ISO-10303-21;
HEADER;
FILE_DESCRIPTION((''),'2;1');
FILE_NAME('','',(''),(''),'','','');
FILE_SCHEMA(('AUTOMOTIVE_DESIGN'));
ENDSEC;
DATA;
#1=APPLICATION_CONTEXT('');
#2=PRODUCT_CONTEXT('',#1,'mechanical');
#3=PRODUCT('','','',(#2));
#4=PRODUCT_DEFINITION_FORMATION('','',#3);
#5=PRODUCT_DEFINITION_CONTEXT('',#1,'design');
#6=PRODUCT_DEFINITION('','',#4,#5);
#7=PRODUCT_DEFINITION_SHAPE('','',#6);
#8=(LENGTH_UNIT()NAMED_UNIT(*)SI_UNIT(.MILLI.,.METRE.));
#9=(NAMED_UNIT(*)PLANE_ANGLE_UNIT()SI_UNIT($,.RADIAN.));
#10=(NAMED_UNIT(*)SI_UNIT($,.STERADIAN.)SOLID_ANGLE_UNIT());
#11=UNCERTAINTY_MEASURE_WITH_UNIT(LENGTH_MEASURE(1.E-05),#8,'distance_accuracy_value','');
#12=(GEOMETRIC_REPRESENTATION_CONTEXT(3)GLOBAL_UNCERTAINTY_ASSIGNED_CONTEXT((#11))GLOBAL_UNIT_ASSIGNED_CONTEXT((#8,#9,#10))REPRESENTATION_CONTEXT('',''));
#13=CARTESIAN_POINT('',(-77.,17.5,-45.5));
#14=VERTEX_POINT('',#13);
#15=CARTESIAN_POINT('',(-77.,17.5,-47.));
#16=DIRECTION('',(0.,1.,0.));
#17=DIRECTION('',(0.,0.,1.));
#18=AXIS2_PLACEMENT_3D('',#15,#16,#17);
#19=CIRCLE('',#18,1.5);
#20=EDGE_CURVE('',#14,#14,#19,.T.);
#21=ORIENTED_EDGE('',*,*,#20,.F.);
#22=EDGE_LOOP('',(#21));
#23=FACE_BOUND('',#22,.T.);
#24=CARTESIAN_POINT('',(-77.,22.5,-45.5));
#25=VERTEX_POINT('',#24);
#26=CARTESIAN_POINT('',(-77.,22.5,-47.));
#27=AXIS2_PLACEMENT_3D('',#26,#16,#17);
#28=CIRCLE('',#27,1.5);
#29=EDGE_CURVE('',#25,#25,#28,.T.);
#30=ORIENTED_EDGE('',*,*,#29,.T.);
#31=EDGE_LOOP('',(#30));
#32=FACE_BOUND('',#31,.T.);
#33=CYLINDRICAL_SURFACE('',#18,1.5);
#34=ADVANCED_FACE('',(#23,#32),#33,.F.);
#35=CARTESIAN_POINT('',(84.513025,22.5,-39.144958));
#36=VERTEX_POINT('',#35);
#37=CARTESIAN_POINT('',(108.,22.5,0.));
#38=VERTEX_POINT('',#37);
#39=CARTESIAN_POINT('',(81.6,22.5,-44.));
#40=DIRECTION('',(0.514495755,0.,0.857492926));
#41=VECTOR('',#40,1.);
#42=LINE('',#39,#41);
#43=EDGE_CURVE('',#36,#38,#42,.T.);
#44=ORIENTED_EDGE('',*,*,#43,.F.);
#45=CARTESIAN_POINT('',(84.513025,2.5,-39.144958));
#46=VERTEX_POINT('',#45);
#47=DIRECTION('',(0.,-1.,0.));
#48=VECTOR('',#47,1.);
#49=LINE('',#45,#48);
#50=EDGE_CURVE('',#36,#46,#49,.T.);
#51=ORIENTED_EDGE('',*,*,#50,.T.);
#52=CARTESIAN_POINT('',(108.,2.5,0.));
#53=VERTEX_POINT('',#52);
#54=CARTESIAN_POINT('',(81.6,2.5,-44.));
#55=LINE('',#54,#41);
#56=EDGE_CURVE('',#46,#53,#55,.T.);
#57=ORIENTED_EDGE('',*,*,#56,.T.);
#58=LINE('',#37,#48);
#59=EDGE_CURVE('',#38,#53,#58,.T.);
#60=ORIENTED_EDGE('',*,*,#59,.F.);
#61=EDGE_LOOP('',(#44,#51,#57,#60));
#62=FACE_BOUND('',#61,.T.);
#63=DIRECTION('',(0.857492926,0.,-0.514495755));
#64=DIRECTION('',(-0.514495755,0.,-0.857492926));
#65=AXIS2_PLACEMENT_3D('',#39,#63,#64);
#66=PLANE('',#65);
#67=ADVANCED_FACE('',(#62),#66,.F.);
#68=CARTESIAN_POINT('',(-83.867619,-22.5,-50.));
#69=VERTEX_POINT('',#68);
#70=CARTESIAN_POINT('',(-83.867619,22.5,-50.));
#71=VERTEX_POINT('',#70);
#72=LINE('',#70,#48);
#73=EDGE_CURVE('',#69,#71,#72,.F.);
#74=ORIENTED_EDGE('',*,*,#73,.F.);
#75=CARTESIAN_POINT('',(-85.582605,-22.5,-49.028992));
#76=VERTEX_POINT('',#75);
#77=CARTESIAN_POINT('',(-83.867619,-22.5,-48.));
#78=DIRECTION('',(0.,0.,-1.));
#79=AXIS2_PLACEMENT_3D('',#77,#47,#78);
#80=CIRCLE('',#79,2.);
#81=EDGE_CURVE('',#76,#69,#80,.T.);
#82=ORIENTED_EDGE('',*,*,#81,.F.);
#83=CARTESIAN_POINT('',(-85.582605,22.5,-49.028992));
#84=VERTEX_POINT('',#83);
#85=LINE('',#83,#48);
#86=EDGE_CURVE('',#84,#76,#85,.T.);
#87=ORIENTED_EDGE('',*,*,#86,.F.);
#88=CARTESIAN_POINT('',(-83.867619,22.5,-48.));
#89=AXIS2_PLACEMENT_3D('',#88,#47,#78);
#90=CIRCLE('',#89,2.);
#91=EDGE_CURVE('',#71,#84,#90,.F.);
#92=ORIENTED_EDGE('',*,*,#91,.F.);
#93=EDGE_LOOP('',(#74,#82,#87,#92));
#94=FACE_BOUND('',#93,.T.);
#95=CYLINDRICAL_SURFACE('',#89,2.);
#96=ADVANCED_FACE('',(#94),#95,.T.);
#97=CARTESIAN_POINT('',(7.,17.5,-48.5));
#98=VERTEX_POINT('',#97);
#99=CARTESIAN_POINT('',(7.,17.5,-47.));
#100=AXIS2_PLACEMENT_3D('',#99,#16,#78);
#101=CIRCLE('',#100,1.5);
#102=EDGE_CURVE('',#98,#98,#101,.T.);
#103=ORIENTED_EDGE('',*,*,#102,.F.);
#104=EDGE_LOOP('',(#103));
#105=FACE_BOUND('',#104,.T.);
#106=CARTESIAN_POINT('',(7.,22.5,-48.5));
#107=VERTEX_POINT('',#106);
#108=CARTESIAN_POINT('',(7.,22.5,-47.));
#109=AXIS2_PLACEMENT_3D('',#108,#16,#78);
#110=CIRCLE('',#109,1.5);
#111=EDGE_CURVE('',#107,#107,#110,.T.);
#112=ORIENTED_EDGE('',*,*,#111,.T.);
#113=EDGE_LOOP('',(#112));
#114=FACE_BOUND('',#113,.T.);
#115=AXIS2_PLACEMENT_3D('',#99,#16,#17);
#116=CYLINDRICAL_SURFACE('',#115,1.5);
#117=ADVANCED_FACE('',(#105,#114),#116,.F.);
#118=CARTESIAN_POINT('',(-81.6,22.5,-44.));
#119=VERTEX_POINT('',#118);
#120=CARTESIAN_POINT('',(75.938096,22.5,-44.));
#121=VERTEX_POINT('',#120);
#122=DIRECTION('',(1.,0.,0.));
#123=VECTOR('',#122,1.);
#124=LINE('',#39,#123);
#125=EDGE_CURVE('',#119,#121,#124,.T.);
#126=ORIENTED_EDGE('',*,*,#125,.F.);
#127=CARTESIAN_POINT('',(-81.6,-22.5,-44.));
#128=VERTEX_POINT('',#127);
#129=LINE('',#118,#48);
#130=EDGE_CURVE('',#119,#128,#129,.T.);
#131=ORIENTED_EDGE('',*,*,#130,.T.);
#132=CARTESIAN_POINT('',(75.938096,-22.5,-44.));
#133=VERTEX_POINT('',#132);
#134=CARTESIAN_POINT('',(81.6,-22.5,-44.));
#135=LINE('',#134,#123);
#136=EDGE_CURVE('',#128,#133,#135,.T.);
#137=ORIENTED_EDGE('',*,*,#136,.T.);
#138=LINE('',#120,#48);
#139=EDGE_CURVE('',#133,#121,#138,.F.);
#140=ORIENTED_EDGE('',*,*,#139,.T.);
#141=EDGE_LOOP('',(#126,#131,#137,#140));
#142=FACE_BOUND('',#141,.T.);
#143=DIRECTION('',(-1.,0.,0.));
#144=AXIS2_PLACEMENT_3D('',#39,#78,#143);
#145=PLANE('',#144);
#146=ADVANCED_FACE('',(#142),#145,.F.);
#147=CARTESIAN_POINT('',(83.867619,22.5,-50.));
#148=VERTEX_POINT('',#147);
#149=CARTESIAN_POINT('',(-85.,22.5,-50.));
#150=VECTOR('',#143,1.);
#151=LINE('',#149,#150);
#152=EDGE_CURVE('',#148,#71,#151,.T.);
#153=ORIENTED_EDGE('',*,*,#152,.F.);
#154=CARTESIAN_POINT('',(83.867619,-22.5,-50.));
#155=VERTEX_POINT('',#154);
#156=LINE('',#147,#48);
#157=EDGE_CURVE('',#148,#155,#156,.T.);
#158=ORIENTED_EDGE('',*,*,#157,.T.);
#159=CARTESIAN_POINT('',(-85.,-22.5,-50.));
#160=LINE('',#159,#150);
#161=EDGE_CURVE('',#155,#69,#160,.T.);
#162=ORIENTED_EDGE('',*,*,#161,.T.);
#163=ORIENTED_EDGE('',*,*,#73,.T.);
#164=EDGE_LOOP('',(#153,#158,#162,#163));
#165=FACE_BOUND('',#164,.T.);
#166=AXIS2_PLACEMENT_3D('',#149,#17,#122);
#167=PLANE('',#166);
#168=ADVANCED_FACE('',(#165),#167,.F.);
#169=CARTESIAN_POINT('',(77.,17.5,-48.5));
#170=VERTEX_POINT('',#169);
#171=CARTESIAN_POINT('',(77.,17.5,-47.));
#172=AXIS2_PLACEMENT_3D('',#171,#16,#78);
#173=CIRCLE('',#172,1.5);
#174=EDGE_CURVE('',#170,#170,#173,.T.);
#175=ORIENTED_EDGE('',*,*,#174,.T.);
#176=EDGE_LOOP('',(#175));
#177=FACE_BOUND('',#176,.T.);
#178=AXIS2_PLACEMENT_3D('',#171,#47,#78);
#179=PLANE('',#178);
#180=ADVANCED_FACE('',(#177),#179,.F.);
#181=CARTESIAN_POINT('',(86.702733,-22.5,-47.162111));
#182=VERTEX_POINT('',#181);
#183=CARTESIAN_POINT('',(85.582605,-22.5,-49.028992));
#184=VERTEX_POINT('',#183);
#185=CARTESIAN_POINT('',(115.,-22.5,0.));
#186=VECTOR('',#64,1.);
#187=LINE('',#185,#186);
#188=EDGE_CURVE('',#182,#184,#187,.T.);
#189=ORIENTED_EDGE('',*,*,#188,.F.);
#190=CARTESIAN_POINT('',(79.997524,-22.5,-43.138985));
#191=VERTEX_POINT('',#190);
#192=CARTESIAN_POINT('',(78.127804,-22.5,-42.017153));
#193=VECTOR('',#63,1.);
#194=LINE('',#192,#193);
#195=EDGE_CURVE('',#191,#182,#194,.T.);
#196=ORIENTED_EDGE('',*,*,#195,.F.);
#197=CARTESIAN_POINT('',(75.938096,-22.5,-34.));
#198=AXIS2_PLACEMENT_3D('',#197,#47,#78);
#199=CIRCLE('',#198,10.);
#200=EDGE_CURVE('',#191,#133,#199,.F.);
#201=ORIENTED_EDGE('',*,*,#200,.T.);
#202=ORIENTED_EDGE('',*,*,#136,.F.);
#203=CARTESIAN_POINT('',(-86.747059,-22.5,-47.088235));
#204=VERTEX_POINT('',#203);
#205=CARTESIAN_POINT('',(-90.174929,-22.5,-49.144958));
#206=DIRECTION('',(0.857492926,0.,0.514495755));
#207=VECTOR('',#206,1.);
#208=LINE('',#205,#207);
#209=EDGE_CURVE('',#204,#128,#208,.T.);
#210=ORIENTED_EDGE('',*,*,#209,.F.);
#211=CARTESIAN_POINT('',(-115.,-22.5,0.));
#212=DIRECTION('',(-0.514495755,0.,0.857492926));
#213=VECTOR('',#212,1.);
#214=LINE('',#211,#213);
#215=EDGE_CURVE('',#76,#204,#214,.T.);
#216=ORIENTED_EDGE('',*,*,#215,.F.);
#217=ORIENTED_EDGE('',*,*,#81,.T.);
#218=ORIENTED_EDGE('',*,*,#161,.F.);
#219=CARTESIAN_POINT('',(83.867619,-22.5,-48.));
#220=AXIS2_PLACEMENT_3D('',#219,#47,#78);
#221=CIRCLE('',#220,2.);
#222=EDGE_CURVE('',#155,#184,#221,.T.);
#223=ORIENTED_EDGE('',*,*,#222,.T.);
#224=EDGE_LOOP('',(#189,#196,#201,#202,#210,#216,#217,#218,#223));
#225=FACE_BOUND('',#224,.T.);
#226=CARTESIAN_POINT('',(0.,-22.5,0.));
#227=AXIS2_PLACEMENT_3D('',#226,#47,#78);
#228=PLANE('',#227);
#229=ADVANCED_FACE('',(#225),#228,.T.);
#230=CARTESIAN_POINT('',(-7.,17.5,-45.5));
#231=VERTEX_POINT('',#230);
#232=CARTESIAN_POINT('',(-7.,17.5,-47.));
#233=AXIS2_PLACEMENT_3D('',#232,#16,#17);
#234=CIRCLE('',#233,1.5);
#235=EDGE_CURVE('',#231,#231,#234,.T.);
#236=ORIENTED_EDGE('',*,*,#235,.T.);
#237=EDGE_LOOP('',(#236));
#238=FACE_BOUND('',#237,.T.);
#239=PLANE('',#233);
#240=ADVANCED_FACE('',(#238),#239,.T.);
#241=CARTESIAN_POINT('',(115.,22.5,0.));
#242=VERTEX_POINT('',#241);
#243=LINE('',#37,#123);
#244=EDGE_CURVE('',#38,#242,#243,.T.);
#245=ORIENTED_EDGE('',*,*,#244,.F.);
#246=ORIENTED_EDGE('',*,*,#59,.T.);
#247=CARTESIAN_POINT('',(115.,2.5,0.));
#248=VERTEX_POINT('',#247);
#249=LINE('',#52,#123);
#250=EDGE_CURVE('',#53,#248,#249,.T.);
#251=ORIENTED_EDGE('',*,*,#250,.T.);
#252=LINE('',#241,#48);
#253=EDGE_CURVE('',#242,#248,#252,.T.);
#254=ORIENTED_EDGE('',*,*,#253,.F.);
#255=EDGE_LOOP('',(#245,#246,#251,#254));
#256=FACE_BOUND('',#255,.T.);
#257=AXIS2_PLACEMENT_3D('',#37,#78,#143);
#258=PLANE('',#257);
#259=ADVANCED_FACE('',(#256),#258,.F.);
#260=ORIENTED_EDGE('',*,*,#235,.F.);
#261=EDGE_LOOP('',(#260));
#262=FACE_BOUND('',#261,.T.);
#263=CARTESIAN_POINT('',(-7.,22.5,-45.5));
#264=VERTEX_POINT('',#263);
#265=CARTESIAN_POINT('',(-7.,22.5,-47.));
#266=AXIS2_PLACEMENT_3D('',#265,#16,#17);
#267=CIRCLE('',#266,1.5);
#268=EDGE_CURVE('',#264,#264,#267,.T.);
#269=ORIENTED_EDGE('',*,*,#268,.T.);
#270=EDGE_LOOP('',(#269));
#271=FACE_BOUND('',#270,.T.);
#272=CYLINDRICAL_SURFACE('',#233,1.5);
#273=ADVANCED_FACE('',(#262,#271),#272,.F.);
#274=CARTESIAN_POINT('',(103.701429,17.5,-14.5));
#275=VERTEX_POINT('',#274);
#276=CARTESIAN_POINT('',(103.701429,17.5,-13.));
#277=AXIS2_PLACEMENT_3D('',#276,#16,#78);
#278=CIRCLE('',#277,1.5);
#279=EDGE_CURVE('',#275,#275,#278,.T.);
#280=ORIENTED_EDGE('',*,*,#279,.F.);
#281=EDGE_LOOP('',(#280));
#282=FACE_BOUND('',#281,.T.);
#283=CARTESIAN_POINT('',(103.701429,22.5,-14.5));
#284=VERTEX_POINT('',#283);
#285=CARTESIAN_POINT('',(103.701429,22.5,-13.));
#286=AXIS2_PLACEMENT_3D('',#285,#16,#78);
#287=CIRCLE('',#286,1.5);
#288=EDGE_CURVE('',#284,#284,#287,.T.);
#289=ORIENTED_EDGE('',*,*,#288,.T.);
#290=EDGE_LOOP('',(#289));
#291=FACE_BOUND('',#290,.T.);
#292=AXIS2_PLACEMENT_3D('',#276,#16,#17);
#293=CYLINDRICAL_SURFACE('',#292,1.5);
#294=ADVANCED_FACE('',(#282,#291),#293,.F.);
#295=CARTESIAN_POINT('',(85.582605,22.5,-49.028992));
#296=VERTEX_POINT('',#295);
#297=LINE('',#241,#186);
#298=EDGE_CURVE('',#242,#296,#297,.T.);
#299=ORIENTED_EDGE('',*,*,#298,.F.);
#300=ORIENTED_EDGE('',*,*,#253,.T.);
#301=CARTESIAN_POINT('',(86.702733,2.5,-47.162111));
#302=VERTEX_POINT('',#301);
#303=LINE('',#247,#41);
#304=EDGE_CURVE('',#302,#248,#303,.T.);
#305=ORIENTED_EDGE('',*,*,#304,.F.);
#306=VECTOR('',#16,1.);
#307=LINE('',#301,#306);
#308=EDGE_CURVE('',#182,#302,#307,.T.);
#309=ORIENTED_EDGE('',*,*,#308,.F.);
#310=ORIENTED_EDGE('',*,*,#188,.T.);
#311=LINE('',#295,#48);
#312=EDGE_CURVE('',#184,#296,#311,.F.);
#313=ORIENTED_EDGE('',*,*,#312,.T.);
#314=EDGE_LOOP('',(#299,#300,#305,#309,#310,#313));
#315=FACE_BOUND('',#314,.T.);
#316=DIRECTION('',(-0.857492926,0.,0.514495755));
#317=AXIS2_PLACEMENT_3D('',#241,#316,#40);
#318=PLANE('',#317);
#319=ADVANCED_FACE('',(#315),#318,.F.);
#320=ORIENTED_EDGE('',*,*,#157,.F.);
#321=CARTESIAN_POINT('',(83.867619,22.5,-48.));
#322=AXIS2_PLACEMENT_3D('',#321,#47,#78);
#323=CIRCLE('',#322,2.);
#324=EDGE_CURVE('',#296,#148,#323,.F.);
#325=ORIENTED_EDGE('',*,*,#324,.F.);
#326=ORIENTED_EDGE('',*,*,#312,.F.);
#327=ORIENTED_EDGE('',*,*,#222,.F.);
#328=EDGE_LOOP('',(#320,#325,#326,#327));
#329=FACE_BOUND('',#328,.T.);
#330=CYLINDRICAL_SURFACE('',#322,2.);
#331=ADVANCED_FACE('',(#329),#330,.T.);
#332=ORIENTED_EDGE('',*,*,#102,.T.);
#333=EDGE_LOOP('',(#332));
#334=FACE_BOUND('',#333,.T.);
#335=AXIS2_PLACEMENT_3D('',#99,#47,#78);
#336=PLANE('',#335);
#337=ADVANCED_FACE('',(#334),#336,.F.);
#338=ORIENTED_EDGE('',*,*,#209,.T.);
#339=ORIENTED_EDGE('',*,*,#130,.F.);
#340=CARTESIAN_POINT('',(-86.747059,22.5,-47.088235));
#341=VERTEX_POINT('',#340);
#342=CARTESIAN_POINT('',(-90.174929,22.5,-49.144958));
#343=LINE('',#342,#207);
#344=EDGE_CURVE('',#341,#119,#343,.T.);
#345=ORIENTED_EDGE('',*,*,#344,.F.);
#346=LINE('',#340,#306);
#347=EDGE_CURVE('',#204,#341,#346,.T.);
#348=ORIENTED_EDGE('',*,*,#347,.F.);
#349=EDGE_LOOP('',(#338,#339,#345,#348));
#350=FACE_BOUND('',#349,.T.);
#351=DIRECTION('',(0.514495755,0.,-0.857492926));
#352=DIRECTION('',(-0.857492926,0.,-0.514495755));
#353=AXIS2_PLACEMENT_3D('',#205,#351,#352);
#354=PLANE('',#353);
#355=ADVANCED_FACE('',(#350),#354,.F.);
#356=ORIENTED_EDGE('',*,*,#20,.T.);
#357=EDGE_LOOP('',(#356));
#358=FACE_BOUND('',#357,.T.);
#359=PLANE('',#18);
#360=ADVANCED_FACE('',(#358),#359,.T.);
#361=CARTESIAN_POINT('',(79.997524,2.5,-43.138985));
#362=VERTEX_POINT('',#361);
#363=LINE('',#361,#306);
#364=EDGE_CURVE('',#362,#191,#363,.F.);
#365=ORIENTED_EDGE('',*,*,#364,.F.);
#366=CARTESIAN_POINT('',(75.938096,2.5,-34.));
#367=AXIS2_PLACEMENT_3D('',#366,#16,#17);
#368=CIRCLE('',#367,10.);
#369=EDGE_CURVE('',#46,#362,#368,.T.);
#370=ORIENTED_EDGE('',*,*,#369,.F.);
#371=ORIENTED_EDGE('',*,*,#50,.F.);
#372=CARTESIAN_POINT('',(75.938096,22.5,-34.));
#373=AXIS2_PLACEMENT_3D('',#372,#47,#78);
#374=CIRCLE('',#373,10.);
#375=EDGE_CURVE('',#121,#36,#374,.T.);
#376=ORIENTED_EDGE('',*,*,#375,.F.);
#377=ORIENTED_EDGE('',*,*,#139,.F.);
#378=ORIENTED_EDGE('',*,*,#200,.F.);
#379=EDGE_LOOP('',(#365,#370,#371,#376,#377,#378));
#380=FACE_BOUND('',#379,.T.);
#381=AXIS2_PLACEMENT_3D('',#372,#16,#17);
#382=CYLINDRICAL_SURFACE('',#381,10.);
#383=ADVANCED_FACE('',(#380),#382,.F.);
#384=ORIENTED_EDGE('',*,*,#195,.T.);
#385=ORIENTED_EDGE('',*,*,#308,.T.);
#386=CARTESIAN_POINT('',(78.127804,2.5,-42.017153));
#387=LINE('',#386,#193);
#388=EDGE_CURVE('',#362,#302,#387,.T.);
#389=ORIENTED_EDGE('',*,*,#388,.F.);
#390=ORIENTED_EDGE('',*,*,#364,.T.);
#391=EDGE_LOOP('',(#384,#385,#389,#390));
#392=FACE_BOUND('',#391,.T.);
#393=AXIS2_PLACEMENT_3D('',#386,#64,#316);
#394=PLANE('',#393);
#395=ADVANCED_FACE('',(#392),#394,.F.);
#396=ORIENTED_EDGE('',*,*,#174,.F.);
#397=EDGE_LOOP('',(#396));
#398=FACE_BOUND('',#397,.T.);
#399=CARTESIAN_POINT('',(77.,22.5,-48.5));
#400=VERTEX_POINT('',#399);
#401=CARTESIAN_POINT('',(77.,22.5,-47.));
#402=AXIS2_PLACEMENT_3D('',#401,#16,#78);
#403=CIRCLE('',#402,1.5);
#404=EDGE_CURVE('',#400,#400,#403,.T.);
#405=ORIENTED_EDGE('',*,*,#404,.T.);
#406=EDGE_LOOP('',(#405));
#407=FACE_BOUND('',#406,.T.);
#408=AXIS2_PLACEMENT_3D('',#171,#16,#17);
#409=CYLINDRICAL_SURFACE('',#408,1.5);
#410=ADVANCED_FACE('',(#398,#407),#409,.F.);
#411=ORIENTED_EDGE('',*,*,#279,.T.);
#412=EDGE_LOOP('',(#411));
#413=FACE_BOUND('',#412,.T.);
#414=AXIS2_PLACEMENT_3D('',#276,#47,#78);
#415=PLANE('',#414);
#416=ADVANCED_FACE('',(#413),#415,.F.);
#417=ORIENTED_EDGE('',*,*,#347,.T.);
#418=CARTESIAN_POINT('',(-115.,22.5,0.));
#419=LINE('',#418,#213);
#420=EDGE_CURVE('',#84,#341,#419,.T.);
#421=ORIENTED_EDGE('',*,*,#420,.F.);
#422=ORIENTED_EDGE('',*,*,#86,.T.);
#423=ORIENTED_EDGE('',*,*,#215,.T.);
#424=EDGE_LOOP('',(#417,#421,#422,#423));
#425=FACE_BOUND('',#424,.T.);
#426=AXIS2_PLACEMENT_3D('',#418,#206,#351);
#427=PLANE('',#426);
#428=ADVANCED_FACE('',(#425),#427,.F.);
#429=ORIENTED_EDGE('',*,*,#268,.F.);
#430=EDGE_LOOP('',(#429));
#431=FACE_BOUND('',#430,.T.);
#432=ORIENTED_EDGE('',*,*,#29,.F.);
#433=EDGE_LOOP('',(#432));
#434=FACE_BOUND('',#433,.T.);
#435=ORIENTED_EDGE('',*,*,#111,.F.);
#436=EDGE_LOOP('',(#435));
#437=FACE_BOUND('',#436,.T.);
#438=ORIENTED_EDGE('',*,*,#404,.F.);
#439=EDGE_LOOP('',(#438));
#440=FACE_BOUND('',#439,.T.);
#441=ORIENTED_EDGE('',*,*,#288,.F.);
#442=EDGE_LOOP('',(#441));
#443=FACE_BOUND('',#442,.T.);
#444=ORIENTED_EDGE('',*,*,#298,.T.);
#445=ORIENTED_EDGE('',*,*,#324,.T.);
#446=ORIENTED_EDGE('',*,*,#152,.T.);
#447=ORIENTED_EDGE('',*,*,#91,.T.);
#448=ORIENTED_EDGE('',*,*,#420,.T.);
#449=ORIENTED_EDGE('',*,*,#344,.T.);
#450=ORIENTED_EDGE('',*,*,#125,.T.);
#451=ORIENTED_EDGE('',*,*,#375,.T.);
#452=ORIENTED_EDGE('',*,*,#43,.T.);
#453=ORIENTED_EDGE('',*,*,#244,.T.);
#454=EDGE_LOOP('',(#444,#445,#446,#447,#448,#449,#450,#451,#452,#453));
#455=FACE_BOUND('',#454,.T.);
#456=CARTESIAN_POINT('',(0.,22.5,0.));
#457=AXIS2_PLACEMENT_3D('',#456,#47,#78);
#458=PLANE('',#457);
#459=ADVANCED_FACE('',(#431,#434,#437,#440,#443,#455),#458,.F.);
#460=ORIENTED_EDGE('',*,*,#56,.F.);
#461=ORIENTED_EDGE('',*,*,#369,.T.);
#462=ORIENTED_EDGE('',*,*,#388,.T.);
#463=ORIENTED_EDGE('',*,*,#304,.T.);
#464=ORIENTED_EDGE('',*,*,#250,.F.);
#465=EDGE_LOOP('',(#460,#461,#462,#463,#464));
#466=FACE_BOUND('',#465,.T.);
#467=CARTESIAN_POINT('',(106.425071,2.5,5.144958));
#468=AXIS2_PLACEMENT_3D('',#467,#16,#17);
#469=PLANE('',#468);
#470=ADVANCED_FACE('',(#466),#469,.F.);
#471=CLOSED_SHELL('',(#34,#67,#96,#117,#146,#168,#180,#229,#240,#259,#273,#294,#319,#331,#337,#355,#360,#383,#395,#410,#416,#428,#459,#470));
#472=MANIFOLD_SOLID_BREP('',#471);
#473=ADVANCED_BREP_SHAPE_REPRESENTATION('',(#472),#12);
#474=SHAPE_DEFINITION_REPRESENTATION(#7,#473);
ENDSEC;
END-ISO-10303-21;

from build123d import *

# Parameters (mm, degrees)
BOSS_EXTRUDE1_DEPTH = 22.5
SKETCH2_R           = 1.5
CUT_EXTRUDE1_DEPTH  = 5
FILLET1_R           = 2
SKETCH4_W           = 55
SKETCH4_H           = 25
CUT_EXTRUDE3_DEPTH  = 10
SKETCH5_W           = 5
SKETCH5_H           = 5
CUT_EXTRUDE4_DEPTH  = 10
SKETCH6_W           = 60
SKETCH6_H           = 45
CUT_EXTRUDE5_DEPTH  = 10
FILLET2_R           = 10


with BuildPart() as part:
    # Sketch1 → Boss-Extrude1 (new, symmetric)
    with BuildSketch(Plane(origin=(0, 0, 0), x_dir=(1, 0, 0), z_dir=(0, 1, 0))):
        Polygon((-115, 0), (-85, 50), (85, 50), (115, 0), (108, 0), (81.6, 44), (-81.6, 44), (-108, 0), align=None)
    extrude(amount=BOSS_EXTRUDE1_DEPTH, both=True)

    # Sketch2 → Cut-Extrude1 (cut)
    with BuildSketch(Plane(origin=(0, 22.5, 0), x_dir=(1, 0, 0), z_dir=(0, 1, 0))):
        with Locations(Location((-103.701428863, 13, 0), (0, 0, 270))):
            Circle(SKETCH2_R)
        with Locations(Location((-77, 47, 0), (0, 0, 270))):
            Circle(SKETCH2_R)
        with Locations(Location((-7, 47, 0), (0, 0, 270))):
            Circle(SKETCH2_R)
        with Locations(Location((7, 47, 0), (0, 0, 90))):
            Circle(SKETCH2_R)
        with Locations(Location((77, 47, 0), (0, 0, 90))):
            Circle(SKETCH2_R)
        with Locations(Location((103.701428863, 13, 0), (0, 0, 90))):
            Circle(SKETCH2_R)
    extrude(amount=-CUT_EXTRUDE1_DEPTH, mode=Mode.SUBTRACT)

    # Fillet1
    fillet1_edges = [part.edges().sort_by_distance(p)[0] for p in [
        (-85, 0, -50),
        (85, 0, -50),
    ]]
    fillet(fillet1_edges, radius=FILLET1_R)

    # Sketch4 → Cut-Extrude3 (cut)
    with BuildSketch(Plane(origin=(84.558823529, 0, -50.735294118), x_dir=(-0.5144957554275265, 0, -0.8574929257125443), z_dir=(0.8574929257125443, 0, -0.5144957554275265))):
        with Locations((-31.667011874, -10)):
            Rectangle(SKETCH4_W, SKETCH4_H)
    extrude(amount=-CUT_EXTRUDE3_DEPTH, mode=Mode.SUBTRACT)

    # Sketch5 → Cut-Extrude4 (cut)
    with BuildSketch(Plane(origin=(-79.411764706, 0, -47.647058824), x_dir=(0.5144957554275261, 0, -0.8574929257125445), z_dir=(0.8574929257125444, 0, 0.514495755427526))):
        with Locations((-56.667011874, -20)):
            Rectangle(SKETCH5_W, SKETCH5_H)
    extrude(amount=-CUT_EXTRUDE4_DEPTH, mode=Mode.SUBTRACT)

    # Sketch6 → Cut-Extrude5 (cut)
    with BuildSketch(Plane(origin=(-79.411764706, 0, -47.647058824), x_dir=(0.5144957554275261, 0, -0.8574929257125445), z_dir=(0.8574929257125444, 0, 0.514495755427526))):
        with Locations((-34.253164912, 0)):
            Rectangle(SKETCH6_W, SKETCH6_H)
    extrude(amount=-CUT_EXTRUDE5_DEPTH, mode=Mode.SUBTRACT)

    # Fillet2
    fillet2_edges = [part.edges().sort_by_distance(p)[0] for p in [
        (81.6, 12.5, -44),
    ]]
    fillet(fillet2_edges, radius=FILLET2_R)


solid = part.part
